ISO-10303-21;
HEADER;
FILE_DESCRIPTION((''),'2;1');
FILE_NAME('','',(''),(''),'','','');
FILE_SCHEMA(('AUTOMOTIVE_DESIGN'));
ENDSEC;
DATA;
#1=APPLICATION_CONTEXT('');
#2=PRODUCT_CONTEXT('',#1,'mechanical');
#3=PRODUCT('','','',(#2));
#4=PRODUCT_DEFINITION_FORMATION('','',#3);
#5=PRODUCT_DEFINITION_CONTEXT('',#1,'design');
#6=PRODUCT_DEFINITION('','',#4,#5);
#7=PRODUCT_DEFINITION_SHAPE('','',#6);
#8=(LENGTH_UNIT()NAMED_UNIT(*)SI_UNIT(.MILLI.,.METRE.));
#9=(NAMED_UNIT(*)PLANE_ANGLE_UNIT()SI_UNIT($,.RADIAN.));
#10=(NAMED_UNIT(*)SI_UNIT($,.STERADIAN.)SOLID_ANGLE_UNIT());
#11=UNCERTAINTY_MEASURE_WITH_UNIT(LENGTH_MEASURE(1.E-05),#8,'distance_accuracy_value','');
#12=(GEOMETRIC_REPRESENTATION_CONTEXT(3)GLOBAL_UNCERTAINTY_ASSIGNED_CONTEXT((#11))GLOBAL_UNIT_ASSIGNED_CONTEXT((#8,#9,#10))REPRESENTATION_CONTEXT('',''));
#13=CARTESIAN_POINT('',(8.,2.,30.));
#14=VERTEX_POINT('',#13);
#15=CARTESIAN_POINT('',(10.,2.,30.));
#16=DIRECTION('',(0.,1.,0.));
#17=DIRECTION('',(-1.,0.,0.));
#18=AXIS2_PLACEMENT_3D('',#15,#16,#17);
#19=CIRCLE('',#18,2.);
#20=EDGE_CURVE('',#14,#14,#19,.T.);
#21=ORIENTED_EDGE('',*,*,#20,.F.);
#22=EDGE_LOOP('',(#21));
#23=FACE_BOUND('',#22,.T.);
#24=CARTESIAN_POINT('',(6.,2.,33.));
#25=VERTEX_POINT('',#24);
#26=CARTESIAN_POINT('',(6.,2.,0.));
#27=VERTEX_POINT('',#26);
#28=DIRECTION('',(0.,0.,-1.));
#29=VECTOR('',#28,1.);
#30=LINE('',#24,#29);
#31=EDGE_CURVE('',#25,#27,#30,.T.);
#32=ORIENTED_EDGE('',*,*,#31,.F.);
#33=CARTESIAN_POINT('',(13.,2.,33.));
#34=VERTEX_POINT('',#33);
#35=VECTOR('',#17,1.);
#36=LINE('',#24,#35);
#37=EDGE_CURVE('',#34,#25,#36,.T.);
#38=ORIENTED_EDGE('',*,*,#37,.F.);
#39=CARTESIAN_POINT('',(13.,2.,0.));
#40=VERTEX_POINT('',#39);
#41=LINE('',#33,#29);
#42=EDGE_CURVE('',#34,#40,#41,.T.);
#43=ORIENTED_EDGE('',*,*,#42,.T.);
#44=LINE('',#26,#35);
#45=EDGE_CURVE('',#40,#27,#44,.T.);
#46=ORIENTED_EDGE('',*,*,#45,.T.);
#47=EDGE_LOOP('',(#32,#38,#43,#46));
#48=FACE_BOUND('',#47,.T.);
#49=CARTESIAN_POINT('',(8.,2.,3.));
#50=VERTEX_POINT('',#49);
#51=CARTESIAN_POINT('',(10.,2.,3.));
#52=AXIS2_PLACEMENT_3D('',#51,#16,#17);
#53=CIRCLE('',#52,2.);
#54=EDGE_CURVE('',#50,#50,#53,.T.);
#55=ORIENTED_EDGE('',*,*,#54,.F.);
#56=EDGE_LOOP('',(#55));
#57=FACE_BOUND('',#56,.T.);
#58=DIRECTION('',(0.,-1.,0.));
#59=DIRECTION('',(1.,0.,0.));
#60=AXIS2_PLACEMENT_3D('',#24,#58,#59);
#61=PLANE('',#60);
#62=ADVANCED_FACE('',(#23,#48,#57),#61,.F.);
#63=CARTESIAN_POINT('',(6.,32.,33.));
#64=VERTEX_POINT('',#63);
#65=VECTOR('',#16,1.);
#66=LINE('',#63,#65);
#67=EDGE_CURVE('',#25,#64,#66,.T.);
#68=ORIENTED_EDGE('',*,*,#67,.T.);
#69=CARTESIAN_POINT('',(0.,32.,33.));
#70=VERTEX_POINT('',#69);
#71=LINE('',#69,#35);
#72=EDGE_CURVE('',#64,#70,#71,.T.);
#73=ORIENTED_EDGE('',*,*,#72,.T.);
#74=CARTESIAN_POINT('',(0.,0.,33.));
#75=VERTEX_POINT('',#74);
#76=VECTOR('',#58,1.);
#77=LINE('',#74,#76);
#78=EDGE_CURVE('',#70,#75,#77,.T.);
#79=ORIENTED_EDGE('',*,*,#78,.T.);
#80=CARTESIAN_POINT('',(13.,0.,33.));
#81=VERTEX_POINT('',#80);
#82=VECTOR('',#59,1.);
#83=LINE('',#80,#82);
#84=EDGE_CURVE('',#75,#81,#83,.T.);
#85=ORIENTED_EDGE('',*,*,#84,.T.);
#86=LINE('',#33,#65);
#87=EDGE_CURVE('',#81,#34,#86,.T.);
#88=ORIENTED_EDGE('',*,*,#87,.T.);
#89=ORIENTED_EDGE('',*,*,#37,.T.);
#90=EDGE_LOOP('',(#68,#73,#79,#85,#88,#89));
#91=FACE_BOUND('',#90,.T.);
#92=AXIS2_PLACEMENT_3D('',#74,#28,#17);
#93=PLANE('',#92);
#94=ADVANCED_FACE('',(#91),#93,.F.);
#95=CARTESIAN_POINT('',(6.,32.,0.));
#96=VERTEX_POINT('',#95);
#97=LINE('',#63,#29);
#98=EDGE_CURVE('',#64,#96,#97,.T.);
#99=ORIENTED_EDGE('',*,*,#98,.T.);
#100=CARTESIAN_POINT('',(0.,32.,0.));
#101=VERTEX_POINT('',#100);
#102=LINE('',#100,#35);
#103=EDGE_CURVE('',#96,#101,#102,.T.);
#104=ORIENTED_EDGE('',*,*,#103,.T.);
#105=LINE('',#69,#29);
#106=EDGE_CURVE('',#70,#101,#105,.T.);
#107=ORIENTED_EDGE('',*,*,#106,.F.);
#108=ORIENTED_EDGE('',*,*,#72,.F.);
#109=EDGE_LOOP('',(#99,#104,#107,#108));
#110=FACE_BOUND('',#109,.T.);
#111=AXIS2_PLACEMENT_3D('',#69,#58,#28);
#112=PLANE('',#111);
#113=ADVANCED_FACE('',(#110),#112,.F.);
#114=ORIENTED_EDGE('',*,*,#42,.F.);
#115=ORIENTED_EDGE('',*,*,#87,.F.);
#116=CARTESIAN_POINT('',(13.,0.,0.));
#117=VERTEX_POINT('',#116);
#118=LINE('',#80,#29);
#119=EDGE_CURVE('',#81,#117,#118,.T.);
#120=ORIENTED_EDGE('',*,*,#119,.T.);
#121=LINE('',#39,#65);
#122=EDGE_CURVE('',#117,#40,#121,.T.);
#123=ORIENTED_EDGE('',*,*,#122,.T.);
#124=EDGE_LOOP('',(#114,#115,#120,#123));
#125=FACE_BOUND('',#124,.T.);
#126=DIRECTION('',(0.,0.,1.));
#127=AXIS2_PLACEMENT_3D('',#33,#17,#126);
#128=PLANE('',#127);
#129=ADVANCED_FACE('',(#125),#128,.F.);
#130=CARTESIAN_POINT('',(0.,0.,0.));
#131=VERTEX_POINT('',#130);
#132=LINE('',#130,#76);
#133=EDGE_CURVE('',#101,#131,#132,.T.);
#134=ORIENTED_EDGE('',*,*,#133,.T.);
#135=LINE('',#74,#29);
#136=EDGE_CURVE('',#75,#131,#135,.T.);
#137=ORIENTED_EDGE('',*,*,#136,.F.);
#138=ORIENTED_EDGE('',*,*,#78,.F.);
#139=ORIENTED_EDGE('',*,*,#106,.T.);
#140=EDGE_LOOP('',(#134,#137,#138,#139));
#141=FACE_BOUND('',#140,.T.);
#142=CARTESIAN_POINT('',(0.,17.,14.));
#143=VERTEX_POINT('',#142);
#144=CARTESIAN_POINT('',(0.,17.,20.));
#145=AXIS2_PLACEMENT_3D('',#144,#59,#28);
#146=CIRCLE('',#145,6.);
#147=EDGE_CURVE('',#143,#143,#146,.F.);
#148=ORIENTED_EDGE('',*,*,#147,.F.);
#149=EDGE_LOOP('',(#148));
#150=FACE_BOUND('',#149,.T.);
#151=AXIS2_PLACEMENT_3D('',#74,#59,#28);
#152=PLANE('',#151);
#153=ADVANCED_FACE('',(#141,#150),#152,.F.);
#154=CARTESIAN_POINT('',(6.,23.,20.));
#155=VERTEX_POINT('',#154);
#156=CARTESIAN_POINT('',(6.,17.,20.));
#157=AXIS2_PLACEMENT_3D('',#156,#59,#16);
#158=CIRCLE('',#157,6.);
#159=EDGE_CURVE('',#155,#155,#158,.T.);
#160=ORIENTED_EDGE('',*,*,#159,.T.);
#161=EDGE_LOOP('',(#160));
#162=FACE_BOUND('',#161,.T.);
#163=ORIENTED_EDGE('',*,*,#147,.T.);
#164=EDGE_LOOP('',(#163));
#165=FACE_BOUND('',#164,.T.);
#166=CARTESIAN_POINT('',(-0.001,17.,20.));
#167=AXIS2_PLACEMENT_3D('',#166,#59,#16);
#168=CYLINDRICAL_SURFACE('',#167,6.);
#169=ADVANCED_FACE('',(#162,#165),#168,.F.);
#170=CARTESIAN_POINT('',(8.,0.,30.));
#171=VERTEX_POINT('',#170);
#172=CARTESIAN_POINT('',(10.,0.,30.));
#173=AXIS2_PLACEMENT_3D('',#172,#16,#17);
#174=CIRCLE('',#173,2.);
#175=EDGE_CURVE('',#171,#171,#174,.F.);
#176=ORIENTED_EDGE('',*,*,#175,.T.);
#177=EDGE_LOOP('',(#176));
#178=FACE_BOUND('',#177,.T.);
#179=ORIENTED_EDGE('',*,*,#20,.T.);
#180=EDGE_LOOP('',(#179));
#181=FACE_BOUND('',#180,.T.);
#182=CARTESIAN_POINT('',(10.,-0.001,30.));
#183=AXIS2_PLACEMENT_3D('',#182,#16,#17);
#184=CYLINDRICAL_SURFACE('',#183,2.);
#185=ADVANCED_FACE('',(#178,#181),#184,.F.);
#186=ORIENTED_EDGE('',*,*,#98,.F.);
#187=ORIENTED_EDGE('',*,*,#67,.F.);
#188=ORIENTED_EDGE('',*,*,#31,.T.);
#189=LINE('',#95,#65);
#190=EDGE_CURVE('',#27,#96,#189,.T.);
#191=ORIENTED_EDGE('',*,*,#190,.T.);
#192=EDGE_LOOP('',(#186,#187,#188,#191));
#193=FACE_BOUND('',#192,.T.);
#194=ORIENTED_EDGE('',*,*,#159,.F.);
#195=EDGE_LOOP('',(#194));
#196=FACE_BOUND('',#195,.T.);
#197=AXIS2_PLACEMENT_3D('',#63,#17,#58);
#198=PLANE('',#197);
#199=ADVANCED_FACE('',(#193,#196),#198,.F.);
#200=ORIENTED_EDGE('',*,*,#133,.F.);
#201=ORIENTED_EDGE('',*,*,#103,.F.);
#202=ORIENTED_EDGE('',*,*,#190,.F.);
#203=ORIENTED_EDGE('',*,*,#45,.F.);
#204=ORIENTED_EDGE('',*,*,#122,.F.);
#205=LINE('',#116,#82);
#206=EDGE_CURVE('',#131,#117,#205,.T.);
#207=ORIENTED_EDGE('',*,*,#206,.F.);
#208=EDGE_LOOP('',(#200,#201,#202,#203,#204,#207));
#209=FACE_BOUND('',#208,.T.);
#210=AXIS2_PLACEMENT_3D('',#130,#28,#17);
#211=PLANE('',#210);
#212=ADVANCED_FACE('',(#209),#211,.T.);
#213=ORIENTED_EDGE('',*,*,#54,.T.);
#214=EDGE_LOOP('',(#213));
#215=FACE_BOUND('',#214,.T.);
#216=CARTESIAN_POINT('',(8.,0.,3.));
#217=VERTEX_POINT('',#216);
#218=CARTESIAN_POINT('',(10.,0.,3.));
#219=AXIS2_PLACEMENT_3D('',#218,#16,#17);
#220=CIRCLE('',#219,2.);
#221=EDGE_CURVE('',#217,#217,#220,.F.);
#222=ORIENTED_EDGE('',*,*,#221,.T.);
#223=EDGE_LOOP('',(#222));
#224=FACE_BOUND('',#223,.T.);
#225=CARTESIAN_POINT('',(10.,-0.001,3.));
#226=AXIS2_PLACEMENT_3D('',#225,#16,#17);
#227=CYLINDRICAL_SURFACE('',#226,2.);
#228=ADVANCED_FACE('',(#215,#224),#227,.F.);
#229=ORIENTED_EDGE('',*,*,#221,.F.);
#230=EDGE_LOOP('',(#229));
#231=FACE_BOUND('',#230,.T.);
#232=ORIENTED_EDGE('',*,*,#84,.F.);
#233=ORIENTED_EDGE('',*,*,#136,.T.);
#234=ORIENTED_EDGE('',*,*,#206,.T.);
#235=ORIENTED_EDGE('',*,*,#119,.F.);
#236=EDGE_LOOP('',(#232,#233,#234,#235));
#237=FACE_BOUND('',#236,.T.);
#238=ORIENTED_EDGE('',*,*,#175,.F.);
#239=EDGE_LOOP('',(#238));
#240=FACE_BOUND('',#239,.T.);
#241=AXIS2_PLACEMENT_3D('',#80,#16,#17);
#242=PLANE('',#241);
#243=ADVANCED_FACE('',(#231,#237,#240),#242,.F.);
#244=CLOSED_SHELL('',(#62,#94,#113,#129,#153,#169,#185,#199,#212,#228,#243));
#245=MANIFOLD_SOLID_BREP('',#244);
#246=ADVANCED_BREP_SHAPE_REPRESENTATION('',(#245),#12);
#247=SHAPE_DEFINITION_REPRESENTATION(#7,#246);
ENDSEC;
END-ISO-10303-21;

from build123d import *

# Parameters (mm, degrees)
BOSS_EXTRUDE1_DEPTH = 33
CUT_EXTRUDE1_REACH  = 48.497
SKETCH2_R           = 6
CUT_EXTRUDE2_REACH  = 48.454
SKETCH3_R           = 2


with BuildPart() as part:
    # Sketch1 → Boss-Extrude1 (new body)
    with BuildSketch(Plane.XY):
        Polygon((0, 0), (0, 32), (6, 32), (6, 2), (13, 2), (13, 0), align=None)
    extrude(amount=BOSS_EXTRUDE1_DEPTH)

    # Sketch2 → Cut-Extrude1 (cut, up to next)
    with BuildSketch(Plane(origin=(6, 0, 0), x_dir=(0, 0, -1), z_dir=(1, 0, 0)), mode=Mode.PRIVATE) as cut_extrude1_sk1:
        with Locations(Location((-20, 17, 0), (0, 0, 90))):
            Circle(SKETCH2_R)
    cut_extrude1_tool1 = extrude(cut_extrude1_sk1.sketch, amount=-CUT_EXTRUDE1_REACH, mode=Mode.PRIVATE) & part.part
    add(cut_extrude1_tool1.solids().sort_by_distance((6, 17, 20))[0], mode=Mode.SUBTRACT)

    # Sketch3 → Cut-Extrude2 (cut, up to next)
    with BuildSketch(Plane(origin=(0, 2, 0), x_dir=(1, 0, 0), z_dir=(0, 1, 0)), mode=Mode.PRIVATE) as cut_extrude2_sk1:
        with Locations(Location((10, -3, 0), (0, 0, 180))):
            Circle(SKETCH3_R)
    cut_extrude2_tool1 = extrude(cut_extrude2_sk1.sketch, amount=-CUT_EXTRUDE2_REACH, mode=Mode.PRIVATE) & part.part
    # Sketch3 → Cut-Extrude2 (cut, up to next)
    with BuildSketch(Plane(origin=(0, 2, 0), x_dir=(1, 0, 0), z_dir=(0, 1, 0)), mode=Mode.PRIVATE) as cut_extrude2_sk2:
        with Locations(Location((10, -30, 0), (0, 0, 180))):
            Circle(SKETCH3_R)
    cut_extrude2_tool2 = extrude(cut_extrude2_sk2.sketch, amount=-CUT_EXTRUDE2_REACH, mode=Mode.PRIVATE) & part.part
    add(cut_extrude2_tool1.solids().sort_by_distance((10, 2, 3))[0], mode=Mode.SUBTRACT)
    add(cut_extrude2_tool2.solids().sort_by_distance((10, 2, 30))[0], mode=Mode.SUBTRACT)


solid = part.part
